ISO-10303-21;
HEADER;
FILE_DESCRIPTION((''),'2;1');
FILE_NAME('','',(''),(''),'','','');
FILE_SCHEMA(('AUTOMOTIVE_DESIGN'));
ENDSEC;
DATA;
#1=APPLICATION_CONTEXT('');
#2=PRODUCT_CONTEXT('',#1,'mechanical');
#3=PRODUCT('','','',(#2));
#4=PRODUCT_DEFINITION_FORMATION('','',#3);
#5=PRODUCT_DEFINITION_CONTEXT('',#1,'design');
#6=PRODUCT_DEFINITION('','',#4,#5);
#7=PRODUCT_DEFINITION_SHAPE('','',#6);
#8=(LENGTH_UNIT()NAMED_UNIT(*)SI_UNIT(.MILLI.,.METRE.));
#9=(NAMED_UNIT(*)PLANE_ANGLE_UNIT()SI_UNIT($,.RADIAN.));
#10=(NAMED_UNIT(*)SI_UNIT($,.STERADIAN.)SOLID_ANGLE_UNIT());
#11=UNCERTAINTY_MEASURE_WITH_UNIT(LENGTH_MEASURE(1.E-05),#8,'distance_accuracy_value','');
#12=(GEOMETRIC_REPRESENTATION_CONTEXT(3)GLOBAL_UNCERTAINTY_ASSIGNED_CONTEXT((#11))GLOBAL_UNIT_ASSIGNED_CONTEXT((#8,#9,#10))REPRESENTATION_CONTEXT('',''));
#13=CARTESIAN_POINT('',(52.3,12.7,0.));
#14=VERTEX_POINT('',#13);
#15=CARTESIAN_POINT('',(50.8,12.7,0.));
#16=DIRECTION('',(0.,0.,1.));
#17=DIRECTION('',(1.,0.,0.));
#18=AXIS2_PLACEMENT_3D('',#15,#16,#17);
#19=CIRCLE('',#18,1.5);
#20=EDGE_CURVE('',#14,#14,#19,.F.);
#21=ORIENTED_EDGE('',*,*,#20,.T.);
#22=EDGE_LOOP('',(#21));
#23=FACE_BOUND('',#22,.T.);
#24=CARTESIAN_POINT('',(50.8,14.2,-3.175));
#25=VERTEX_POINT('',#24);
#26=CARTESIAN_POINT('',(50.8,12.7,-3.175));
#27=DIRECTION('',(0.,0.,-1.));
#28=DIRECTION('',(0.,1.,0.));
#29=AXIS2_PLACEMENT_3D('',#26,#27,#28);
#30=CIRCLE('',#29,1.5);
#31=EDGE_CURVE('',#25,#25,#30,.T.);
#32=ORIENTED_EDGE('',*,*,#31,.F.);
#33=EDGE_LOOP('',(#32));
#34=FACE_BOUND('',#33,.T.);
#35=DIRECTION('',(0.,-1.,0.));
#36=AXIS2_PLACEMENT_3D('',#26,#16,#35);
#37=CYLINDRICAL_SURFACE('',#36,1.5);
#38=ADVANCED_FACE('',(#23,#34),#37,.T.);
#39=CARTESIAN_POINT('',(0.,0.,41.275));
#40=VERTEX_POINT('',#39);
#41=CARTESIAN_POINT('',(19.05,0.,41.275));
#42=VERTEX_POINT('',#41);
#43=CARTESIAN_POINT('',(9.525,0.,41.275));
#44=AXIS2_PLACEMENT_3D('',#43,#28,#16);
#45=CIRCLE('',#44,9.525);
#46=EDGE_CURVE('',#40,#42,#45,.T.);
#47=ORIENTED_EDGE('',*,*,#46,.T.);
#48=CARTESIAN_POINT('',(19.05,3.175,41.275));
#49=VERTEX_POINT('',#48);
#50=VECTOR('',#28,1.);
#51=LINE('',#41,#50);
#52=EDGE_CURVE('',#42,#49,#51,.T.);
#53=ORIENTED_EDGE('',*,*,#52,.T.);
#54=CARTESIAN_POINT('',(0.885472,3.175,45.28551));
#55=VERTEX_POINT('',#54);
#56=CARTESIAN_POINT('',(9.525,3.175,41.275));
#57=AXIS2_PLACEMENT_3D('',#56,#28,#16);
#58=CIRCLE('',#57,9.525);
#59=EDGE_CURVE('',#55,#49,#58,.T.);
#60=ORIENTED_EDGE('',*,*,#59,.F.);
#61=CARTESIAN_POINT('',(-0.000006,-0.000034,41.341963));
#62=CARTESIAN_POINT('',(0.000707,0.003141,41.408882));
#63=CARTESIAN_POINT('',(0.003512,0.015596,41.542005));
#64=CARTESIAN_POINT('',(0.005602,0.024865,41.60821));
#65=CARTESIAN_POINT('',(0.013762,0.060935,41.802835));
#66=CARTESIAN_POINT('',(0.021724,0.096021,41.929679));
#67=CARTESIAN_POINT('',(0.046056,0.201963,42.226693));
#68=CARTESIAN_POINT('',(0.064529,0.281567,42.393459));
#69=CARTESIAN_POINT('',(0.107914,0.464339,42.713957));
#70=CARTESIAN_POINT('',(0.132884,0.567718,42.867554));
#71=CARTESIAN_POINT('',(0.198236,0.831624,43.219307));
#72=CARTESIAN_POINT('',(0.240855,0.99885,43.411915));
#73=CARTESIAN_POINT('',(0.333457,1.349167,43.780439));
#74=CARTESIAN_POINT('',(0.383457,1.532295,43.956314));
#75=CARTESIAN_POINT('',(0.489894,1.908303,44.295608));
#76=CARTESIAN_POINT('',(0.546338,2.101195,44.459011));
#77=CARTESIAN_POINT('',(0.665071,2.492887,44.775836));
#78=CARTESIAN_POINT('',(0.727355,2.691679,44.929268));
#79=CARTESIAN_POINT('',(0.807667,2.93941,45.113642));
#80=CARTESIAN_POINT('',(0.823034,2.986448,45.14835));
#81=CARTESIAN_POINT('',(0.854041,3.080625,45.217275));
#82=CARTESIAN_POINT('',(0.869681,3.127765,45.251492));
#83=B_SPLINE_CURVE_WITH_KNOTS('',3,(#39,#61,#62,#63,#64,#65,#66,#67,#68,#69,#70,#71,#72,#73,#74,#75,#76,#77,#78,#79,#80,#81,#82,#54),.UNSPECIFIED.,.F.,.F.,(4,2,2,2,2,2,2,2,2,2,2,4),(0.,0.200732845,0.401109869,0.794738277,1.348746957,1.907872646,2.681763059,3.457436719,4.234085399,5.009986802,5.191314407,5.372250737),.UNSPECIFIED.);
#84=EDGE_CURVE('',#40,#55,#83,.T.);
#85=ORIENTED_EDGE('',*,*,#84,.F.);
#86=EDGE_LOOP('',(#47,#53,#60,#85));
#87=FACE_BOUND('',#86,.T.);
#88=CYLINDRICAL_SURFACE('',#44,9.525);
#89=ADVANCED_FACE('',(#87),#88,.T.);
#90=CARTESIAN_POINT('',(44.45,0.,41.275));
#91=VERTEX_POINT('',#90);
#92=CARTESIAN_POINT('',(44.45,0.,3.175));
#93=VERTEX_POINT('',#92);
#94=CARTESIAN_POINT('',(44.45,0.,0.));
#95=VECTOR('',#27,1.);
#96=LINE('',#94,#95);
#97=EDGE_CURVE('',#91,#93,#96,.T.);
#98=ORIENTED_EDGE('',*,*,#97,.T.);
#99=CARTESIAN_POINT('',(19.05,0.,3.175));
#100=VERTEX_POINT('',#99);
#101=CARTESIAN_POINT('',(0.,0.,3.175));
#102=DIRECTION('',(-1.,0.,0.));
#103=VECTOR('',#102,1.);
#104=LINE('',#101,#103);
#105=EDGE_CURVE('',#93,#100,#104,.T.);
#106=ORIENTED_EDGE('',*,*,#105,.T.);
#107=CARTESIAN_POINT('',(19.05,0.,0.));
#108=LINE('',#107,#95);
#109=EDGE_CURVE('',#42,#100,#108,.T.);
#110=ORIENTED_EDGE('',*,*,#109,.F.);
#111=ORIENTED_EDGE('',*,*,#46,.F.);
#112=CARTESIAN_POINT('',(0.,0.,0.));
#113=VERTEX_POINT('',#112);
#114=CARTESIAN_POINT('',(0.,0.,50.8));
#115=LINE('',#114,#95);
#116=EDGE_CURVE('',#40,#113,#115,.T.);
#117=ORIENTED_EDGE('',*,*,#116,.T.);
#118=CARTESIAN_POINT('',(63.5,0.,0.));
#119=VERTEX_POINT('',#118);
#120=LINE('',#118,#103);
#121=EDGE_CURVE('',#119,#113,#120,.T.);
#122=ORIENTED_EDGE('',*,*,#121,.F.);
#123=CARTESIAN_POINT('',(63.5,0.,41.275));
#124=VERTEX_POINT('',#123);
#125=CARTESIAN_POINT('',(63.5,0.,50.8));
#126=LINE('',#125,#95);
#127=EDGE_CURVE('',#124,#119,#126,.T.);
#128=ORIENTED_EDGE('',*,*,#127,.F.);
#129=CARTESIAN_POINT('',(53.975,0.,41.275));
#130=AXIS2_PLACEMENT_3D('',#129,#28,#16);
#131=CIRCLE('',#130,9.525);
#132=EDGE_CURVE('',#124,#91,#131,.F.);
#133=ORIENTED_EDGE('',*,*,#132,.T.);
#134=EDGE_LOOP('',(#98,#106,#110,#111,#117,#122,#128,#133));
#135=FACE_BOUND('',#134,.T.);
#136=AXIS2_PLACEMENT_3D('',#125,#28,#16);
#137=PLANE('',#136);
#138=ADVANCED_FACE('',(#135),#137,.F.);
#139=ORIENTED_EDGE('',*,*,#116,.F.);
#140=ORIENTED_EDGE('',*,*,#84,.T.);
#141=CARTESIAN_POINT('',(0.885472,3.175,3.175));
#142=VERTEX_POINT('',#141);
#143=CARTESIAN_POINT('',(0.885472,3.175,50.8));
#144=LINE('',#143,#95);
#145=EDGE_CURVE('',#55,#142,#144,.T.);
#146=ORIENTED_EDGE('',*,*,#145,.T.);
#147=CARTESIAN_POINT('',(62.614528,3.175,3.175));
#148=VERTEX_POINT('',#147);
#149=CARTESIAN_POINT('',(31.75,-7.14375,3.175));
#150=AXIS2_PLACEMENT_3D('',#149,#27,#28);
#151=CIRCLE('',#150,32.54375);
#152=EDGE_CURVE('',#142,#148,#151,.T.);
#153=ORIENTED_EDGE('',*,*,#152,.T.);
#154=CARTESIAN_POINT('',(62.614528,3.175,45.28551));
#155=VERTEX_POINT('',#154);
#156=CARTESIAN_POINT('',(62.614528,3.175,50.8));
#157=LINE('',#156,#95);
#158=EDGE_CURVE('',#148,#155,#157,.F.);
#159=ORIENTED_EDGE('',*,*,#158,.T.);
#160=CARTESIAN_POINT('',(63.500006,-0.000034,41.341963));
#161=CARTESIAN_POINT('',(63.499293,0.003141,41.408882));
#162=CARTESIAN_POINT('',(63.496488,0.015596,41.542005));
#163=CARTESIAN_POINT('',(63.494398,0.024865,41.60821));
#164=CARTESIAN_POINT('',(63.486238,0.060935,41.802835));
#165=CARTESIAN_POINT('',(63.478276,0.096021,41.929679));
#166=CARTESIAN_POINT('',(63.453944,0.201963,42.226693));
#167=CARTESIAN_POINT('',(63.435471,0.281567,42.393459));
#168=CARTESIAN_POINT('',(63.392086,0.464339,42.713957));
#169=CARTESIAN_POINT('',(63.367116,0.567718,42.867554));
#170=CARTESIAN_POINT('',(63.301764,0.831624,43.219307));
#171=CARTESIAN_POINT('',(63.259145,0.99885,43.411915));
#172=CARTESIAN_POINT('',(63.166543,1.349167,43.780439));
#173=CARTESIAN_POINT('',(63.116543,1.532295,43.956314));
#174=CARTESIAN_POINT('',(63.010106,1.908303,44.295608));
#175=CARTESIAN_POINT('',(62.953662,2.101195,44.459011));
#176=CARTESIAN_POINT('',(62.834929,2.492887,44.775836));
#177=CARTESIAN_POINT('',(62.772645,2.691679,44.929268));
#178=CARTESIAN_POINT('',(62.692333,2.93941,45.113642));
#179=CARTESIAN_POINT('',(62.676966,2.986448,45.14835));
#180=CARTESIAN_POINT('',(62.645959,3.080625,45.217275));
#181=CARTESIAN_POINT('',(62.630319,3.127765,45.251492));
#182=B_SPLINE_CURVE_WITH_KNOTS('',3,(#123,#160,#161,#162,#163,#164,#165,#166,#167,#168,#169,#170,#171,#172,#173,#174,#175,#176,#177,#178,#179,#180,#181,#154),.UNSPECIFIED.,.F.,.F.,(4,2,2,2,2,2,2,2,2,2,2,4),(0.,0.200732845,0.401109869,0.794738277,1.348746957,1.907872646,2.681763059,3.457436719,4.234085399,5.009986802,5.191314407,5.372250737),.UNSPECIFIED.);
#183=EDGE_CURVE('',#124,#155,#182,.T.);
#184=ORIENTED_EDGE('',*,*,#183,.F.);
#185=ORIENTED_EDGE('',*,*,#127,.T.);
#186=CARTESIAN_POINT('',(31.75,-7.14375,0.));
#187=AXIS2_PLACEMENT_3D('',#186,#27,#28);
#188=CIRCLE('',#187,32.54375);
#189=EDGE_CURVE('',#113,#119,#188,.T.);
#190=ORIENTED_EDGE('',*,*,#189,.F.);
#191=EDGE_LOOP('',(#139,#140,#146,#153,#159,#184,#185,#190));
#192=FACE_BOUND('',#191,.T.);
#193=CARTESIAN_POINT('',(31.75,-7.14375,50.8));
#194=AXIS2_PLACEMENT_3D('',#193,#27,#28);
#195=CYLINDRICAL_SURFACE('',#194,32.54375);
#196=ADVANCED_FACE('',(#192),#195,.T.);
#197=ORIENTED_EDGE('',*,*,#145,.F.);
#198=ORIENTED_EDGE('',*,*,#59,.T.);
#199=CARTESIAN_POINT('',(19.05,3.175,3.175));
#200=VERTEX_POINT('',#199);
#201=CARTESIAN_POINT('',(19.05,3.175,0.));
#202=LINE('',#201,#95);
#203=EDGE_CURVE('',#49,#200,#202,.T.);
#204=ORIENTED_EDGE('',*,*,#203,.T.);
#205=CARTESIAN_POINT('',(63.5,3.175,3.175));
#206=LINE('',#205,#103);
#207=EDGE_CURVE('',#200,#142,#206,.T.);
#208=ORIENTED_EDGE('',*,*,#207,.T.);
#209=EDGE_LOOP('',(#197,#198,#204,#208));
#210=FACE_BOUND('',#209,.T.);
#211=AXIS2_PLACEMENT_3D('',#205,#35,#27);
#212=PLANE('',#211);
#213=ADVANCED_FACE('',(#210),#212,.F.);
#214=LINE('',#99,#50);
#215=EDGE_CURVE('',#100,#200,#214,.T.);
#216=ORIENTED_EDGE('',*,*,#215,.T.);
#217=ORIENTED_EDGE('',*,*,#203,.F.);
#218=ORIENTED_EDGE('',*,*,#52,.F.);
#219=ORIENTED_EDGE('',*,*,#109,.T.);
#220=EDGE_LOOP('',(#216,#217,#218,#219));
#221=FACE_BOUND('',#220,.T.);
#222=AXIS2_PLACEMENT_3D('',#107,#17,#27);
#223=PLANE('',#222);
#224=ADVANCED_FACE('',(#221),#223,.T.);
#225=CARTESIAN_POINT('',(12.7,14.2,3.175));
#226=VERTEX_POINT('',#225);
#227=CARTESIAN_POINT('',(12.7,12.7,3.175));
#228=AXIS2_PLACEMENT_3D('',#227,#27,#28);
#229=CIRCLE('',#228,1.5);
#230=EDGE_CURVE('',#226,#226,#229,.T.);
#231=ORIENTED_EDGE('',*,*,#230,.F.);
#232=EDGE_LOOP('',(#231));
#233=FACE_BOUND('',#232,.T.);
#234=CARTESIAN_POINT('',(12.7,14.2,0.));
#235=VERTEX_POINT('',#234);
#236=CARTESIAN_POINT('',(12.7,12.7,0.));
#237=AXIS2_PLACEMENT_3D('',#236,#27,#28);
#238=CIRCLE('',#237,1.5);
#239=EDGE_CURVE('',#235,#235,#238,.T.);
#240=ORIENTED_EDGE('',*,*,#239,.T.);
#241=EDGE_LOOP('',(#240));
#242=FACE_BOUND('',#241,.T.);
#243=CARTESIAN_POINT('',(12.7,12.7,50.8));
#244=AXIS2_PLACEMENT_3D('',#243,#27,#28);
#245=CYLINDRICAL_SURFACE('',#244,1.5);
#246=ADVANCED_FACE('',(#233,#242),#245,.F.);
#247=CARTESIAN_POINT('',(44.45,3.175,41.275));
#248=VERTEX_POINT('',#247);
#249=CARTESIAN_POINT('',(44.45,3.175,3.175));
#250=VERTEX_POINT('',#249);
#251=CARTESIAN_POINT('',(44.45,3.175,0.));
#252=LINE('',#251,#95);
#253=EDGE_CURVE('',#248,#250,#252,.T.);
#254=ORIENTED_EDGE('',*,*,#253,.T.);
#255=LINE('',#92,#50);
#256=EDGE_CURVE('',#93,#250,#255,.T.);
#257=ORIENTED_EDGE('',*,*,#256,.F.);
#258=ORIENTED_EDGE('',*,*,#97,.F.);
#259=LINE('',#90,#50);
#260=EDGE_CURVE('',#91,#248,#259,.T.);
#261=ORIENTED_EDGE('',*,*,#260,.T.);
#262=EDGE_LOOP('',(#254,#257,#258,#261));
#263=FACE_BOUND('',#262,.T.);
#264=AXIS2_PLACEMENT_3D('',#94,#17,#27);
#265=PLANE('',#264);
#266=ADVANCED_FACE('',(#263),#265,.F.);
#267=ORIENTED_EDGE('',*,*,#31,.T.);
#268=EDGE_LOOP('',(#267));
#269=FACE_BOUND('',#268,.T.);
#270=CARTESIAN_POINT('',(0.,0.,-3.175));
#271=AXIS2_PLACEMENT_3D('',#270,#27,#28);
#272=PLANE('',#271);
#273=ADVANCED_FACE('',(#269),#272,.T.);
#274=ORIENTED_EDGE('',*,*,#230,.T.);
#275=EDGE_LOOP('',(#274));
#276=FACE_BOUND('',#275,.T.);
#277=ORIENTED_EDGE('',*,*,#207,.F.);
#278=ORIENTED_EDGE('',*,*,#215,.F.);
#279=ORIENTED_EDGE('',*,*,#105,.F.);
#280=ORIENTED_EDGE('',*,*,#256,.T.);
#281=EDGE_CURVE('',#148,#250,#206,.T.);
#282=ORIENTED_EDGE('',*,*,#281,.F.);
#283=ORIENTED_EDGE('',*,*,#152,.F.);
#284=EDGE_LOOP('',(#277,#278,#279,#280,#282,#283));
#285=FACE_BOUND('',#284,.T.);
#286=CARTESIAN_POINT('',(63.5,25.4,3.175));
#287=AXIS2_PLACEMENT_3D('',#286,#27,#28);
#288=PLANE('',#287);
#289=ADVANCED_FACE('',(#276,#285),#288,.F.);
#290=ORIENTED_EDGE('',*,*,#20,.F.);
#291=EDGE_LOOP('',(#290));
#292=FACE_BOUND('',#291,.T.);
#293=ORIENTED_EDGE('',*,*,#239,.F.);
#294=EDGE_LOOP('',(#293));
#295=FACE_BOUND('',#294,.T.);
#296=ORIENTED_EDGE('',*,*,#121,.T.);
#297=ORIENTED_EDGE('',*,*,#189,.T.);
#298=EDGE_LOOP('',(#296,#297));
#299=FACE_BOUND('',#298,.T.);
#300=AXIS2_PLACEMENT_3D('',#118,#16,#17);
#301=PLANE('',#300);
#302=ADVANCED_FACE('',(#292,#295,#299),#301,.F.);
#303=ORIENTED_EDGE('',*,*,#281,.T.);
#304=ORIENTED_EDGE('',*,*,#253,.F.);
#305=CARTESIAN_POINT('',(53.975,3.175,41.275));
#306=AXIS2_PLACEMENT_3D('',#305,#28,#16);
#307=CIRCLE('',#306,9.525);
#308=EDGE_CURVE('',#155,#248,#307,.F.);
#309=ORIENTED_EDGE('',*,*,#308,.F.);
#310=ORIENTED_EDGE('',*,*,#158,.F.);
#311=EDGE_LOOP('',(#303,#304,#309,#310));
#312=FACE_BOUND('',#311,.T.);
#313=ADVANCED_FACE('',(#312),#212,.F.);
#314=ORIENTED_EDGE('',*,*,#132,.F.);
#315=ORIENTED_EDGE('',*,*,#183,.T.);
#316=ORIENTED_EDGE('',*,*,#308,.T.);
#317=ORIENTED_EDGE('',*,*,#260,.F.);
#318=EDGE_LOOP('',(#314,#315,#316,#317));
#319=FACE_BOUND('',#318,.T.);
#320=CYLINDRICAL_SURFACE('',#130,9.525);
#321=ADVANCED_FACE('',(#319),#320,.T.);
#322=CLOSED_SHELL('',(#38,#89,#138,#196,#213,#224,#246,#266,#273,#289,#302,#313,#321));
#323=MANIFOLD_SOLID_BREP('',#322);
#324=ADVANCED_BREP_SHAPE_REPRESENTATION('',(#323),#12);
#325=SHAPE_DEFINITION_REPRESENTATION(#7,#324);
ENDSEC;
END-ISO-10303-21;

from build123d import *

# Parameters (mm, degrees)
BOSS_EXTRUDE1_DEPTH = 63.5
SKETCH3_R           = 1.5
CUT_EXTRUDE1_DEPTH  = 86.194189943
SKETCH3_3_R         = 1.5
BOSS_EXTRUDE2_DEPTH = 3.175
CUT_EXTRUDE2_DEPTH  = 86.194189943
CUT_EXTRUDE3_DEPTH  = 3.175


with BuildPart() as part:
    # Sketch2 → Boss-Extrude1 (new body)
    with BuildSketch(Plane(origin=(0, 0, 0), x_dir=(0, 0, -1), z_dir=(1, 0, 0))):
        Polygon((-50.8, 0), (0, 0), (0, 25.4), (-3.175, 25.4), (-3.175, 3.175), (-50.8, 3.175), align=None)
    extrude(amount=BOSS_EXTRUDE1_DEPTH)

    # Sketch3 → Cut-Extrude1 (cut, through all)
    with BuildSketch(Plane(origin=(0, 0, 0), x_dir=(-1, 0, 0), z_dir=(0, 0, -1))):
        with Locations((-12.7, 12.7)):
            Circle(SKETCH3_R)
    extrude(amount=-CUT_EXTRUDE1_DEPTH, mode=Mode.SUBTRACT)

    # Sketch3<3> → Boss-Extrude2 (add)
    with BuildSketch(Plane(origin=(0, 0, 0), x_dir=(-1, 0, 0), z_dir=(0, 0, -1))):
        with Locations((-50.8, 12.7)):
            Circle(SKETCH3_3_R)
    extrude(amount=BOSS_EXTRUDE2_DEPTH)

    # Sketch4 → Cut-Extrude2 (cut, through all)
    with BuildSketch(Plane(origin=(0, 0, 0), x_dir=(-1, 0, 0), z_dir=(0, 0, -1))):
        with BuildLine():
            Line((-63.5, 25.4), (-63.5, 0))
            ThreePointArc((-63.5, 0), (-52.079919454, 18.268649317), (-31.75, 25.4))
            Line((-31.75, 25.4), (-63.5, 25.4))
        make_face()
        with BuildLine():
            ThreePointArc((-31.75, 25.4), (-11.420080546, 18.268649317), (0, 0))
            Line((0, 0), (0, 25.4))
            Line((0, 25.4), (-31.75, 25.4))
        make_face()
    extrude(amount=-CUT_EXTRUDE2_DEPTH, mode=Mode.SUBTRACT)

    # Sketch5 → Cut-Extrude3 (cut)
    with BuildSketch(Plane(origin=(0, 3.175, 0), x_dir=(1, 0, 0), z_dir=(0, 1, 0))):
        with BuildLine():
            Line((0, -41.275), (0, -50.8))
            Line((0, -50.8), (9.525, -50.8))
            ThreePointArc((9.525, -50.8), (2.789807909, -48.010192091), (0, -41.275))
        make_face()
        with BuildLine():
            Line((44.45, -3.175), (19.05, -3.175))
            Line((19.05, -3.175), (19.05, -41.275))
            ThreePointArc((19.05, -41.275), (16.260192091, -48.010192091), (9.525, -50.8))
            Line((9.525, -50.8), (53.975, -50.8))
            ThreePointArc((53.975, -50.8), (47.239807909, -48.010192091), (44.45, -41.275))
            Line((44.45, -41.275), (44.45, -3.175))
        make_face()
        with BuildLine():
            Line((53.975, -50.8), (63.5, -50.8))
            Line((63.5, -50.8), (63.5, -41.275))
            ThreePointArc((63.5, -41.275), (60.710192091, -48.010192091), (53.975, -50.8))
        make_face()
    extrude(amount=-CUT_EXTRUDE3_DEPTH, mode=Mode.SUBTRACT)


solid = part.part
